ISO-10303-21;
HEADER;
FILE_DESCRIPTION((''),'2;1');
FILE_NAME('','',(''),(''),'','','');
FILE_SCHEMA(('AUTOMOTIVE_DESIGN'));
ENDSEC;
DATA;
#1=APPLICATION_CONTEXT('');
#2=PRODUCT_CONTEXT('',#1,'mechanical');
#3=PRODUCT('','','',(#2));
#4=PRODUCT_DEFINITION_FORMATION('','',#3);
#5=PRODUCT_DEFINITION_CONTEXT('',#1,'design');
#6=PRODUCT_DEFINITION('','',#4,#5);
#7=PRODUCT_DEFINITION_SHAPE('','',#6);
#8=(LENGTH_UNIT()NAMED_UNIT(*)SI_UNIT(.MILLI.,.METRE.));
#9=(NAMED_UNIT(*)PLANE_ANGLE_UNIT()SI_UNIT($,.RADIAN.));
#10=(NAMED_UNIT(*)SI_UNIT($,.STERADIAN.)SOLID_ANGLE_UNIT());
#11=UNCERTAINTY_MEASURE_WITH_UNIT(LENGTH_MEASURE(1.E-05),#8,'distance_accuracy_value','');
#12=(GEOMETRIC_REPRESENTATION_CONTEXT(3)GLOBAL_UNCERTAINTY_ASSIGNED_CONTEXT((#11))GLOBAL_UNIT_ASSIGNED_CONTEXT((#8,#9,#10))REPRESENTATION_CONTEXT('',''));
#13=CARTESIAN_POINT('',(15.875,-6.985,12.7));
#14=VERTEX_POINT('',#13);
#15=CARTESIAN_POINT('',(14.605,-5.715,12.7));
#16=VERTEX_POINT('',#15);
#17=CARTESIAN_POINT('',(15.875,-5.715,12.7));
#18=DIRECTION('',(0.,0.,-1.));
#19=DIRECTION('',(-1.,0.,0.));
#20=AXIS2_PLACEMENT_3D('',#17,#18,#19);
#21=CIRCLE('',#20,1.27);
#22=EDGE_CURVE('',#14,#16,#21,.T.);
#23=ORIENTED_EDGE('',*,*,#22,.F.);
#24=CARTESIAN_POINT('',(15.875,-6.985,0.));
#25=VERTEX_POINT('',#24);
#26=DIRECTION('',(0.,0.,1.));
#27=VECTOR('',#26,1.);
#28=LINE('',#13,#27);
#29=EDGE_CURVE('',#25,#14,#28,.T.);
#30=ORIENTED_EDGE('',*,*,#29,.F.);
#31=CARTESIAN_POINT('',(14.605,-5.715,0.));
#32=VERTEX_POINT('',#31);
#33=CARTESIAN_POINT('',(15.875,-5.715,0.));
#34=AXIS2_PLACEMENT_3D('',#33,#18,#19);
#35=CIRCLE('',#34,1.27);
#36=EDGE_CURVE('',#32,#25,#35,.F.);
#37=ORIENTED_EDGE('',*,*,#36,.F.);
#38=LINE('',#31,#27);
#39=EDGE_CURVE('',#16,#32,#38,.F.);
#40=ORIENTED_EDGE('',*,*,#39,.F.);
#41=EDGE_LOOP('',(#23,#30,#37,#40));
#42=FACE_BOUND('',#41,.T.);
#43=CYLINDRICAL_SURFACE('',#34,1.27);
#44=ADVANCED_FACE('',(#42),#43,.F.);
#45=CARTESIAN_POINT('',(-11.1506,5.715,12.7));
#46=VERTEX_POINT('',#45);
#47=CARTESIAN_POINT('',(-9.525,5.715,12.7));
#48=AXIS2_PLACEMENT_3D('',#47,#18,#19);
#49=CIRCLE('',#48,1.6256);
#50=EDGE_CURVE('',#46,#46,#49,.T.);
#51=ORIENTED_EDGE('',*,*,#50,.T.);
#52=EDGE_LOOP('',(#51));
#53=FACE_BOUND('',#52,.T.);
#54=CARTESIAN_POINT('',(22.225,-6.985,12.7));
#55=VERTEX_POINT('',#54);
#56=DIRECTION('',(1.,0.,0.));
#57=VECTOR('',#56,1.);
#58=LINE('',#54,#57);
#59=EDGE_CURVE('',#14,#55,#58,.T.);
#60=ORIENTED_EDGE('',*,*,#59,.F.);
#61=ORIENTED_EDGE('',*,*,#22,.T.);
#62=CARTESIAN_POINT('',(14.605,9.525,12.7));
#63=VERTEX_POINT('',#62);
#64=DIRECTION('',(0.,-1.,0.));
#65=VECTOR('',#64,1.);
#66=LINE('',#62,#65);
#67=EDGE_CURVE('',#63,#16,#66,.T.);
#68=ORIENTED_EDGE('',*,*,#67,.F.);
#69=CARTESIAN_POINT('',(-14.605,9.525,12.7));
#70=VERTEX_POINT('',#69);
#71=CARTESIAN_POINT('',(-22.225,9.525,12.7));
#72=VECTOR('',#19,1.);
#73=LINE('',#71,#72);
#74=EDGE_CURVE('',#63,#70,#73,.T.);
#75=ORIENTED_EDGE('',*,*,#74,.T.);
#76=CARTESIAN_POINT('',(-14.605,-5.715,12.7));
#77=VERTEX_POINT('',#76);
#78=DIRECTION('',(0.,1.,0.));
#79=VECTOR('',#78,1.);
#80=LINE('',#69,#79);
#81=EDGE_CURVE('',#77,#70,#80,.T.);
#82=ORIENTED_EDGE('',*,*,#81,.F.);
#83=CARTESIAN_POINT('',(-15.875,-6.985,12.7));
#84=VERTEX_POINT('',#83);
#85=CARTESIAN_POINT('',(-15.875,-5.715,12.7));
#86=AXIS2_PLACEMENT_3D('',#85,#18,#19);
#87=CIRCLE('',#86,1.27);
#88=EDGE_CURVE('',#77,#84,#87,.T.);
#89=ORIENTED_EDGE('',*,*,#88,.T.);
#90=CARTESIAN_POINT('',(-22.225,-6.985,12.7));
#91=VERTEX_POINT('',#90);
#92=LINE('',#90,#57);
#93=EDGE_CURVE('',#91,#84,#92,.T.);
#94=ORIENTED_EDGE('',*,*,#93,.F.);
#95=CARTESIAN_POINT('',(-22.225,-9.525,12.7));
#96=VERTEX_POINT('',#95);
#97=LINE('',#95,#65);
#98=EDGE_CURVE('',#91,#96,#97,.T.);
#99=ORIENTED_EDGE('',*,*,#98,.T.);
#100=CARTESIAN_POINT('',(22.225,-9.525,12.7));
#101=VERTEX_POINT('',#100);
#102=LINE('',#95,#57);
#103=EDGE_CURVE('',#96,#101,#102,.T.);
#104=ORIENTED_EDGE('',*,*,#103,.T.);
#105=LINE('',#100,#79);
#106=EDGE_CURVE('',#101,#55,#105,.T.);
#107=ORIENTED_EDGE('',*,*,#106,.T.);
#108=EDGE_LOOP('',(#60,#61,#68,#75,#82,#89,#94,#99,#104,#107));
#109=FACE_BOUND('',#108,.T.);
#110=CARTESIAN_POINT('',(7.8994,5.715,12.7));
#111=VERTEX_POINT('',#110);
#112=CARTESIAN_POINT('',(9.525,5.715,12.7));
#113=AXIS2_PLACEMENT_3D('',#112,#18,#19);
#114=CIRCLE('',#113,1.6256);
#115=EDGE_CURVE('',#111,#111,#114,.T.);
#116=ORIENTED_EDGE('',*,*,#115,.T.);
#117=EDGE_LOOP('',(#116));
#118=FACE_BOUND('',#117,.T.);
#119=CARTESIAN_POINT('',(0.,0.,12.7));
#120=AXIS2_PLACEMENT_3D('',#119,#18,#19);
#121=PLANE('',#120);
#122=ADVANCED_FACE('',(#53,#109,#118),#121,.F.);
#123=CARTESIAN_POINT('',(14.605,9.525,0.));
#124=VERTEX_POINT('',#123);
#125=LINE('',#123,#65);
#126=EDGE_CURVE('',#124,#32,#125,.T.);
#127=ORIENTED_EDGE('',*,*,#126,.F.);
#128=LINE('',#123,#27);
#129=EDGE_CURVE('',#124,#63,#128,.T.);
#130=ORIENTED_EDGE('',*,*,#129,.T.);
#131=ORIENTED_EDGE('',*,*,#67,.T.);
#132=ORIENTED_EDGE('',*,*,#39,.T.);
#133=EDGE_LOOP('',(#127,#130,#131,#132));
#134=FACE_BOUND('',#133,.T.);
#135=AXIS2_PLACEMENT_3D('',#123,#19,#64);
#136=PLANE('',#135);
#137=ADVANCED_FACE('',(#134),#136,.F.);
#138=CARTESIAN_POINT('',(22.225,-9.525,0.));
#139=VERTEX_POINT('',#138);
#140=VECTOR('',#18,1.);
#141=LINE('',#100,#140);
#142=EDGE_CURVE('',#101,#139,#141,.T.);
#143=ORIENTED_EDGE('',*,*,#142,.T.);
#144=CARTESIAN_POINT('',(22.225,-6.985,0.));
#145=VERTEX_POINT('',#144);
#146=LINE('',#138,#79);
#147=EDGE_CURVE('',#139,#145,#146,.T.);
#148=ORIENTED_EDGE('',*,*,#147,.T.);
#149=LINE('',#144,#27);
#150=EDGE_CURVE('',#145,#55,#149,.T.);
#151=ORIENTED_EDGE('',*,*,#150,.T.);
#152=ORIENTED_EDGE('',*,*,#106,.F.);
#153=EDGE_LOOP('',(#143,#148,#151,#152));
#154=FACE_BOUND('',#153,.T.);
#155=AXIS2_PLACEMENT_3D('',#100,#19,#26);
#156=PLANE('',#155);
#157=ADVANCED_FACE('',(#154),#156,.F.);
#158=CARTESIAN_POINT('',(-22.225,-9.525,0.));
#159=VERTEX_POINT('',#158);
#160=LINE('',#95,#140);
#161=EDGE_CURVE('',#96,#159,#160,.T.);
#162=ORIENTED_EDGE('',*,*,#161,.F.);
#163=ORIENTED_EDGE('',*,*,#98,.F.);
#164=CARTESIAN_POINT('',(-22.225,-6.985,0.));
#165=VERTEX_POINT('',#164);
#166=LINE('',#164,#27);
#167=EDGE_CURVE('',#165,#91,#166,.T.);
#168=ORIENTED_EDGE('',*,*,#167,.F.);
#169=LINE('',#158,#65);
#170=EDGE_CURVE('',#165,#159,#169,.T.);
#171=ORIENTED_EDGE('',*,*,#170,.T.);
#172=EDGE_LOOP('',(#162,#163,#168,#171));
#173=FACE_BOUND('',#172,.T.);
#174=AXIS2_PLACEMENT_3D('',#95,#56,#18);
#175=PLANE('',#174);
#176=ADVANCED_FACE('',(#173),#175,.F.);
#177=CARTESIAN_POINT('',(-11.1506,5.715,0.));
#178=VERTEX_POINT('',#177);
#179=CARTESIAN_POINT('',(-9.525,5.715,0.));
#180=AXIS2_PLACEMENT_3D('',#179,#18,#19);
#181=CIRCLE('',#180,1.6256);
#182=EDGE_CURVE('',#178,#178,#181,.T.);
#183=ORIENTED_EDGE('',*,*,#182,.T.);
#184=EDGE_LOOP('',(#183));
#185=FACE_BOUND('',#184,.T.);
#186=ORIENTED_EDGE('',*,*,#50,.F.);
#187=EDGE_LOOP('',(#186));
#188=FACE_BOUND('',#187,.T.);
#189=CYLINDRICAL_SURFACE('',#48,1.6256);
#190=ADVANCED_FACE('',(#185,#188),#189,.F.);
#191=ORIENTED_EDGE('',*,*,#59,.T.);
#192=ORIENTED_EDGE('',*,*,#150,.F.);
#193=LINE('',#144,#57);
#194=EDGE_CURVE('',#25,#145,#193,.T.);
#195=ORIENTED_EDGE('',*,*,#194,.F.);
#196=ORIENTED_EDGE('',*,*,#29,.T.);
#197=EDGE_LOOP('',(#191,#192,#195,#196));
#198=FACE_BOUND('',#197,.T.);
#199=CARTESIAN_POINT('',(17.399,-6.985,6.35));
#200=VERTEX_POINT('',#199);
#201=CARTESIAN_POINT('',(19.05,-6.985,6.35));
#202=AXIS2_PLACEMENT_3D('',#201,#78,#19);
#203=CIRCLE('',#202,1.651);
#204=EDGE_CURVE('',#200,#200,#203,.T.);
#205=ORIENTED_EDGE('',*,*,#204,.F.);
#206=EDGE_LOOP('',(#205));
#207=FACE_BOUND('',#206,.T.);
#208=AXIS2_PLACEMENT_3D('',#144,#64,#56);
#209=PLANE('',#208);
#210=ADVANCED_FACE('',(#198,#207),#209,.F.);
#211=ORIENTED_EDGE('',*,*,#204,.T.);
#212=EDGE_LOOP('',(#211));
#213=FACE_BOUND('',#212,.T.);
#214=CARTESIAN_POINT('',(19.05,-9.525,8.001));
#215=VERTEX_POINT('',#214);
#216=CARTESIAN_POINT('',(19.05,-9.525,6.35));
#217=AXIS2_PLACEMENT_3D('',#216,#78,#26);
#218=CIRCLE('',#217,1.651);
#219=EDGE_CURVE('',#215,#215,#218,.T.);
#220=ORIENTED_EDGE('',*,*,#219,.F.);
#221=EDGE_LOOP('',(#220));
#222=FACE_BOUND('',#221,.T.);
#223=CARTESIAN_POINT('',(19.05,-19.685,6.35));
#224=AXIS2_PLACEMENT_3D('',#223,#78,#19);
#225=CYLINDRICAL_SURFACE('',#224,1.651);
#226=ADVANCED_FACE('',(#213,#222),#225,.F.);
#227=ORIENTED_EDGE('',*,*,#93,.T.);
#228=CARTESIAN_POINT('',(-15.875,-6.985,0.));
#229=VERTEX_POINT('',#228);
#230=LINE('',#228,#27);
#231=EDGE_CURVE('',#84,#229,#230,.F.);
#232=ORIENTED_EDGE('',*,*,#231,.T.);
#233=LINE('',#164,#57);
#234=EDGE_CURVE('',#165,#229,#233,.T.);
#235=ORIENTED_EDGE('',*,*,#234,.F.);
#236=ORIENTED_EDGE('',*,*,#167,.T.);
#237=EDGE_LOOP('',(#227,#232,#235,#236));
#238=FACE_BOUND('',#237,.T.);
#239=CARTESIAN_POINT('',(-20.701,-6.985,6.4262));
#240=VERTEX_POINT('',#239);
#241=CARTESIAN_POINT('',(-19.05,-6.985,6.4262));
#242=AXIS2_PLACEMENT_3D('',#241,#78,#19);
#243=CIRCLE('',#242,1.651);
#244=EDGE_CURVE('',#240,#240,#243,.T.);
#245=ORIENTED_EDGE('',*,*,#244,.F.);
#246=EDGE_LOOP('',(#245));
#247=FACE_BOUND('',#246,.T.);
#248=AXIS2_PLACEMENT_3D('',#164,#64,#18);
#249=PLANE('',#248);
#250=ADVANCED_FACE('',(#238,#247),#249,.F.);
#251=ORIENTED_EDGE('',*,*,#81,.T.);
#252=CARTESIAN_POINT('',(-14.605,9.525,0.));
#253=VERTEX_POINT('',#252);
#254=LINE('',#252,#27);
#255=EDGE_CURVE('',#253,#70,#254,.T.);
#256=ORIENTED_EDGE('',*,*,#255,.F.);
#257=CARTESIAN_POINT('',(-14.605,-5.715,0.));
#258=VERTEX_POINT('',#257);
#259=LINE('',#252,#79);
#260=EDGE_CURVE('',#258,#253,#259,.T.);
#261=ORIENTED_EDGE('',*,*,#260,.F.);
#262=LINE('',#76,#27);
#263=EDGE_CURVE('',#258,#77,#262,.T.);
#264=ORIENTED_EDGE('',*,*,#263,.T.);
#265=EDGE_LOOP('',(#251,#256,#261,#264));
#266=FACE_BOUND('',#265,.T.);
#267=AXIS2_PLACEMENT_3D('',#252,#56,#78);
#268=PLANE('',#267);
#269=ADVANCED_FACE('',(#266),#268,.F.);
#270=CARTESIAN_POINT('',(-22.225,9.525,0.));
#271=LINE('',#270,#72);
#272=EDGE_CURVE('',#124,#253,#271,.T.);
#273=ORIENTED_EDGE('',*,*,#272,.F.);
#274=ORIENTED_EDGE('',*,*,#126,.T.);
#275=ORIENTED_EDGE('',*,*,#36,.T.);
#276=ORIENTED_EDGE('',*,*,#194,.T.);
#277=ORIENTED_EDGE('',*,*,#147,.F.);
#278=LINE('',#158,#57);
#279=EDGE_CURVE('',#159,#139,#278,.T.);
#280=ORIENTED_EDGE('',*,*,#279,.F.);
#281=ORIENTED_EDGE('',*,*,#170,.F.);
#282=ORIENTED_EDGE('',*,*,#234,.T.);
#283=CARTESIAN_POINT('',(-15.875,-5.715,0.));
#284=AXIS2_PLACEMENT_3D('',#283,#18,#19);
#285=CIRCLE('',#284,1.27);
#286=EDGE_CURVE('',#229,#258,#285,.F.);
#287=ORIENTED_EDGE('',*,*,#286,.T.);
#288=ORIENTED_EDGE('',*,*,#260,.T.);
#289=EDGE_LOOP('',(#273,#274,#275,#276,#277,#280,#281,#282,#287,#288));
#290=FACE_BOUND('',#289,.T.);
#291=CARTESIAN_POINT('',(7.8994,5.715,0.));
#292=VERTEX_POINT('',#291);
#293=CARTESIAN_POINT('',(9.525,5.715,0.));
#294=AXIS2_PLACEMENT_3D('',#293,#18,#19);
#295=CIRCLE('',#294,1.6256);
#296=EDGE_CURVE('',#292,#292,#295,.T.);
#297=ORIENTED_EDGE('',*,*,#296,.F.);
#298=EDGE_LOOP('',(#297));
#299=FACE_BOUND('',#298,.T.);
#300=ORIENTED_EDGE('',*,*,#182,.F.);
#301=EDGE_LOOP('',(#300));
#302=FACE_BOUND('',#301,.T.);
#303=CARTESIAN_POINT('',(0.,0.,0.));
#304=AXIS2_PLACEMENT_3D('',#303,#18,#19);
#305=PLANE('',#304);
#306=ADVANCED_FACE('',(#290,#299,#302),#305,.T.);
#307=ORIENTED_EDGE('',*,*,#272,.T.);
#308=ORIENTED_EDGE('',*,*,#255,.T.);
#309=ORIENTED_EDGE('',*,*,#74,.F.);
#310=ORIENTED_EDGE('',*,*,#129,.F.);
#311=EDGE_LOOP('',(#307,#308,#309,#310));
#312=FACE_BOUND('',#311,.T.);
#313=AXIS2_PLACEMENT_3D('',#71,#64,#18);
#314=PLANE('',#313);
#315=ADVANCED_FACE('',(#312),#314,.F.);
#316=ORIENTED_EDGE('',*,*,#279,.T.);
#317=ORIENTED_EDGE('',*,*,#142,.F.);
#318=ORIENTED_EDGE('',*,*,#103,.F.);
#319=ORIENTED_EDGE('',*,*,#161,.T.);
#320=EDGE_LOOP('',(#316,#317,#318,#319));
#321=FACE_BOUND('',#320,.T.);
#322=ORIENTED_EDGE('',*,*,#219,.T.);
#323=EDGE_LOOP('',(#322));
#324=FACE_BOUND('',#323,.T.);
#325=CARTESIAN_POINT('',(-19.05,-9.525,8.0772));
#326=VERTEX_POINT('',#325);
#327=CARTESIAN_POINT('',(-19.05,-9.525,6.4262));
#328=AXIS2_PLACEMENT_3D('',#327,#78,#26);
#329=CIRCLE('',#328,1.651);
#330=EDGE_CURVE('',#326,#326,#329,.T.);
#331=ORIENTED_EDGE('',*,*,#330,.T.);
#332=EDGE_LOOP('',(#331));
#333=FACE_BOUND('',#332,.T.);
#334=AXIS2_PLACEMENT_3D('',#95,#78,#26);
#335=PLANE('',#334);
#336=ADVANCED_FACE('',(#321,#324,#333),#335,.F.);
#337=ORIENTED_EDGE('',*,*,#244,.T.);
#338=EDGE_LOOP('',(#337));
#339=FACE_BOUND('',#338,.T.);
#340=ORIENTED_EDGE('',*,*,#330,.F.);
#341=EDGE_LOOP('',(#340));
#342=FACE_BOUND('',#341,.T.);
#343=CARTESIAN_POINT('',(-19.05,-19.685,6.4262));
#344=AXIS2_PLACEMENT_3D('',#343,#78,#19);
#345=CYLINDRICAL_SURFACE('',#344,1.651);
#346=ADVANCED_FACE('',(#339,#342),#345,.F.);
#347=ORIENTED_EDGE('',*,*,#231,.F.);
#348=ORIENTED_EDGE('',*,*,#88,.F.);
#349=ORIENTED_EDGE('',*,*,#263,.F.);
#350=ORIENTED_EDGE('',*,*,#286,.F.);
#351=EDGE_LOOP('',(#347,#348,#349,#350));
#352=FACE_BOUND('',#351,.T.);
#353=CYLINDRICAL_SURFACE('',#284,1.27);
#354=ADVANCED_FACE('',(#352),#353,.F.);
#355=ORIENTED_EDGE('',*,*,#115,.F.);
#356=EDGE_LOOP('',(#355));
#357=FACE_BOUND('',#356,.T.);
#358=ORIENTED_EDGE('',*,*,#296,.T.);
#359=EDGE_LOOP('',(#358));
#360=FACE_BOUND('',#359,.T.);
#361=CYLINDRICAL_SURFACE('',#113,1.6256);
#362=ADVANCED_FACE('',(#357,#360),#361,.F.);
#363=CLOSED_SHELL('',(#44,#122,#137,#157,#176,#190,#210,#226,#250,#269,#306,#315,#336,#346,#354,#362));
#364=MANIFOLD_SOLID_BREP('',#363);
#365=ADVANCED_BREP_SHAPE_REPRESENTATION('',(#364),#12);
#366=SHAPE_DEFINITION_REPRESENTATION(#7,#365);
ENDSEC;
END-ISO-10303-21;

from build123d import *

# Parameters (mm, degrees)
SKETCH1_W           = 44.45
SKETCH1_H           = 19.05
BOSS_EXTRUDE1_DEPTH = 12.7
SKETCH2_W           = 7.62
SKETCH2_H           = 16.51
CUT_EXTRUDE1_DEPTH  = 12.7
FILLET1_R           = 1.27
FILLET2_R           = 1.27
SKETCH3_R           = 1.6256
CUT_EXTRUDE2_DEPTH  = 12.7
SKETCH4_R           = 1.651
CUT_EXTRUDE3_DEPTH  = 12.7


with BuildPart() as part:
    # Sketch1 → Boss-Extrude1 (new body)
    with BuildSketch(Plane.XY):
        Rectangle(SKETCH1_W, SKETCH1_H)
    extrude(amount=BOSS_EXTRUDE1_DEPTH)

    # Sketch2 → Cut-Extrude1 (cut)
    with BuildSketch(Plane.XY.offset(12.7)):
        with Locations((-18.415, 1.27)):
            Rectangle(SKETCH2_W, SKETCH2_H)
        with Locations((18.415, 1.27)):
            Rectangle(SKETCH2_W, SKETCH2_H)
    extrude(amount=-CUT_EXTRUDE1_DEPTH, mode=Mode.SUBTRACT)

    # Fillet1
    fillet1_edges = [part.edges().sort_by_distance(p)[0] for p in [
        (-14.605, -6.985, 6.35),
    ]]
    fillet(fillet1_edges, radius=FILLET1_R)

    # Fillet2
    fillet2_edges = [part.edges().sort_by_distance(p)[0] for p in [
        (14.605, -6.985, 6.35),
    ]]
    fillet(fillet2_edges, radius=FILLET2_R)

    # Sketch3 → Cut-Extrude2 (cut)
    with BuildSketch(Plane(origin=(0, 0, 0), x_dir=(-1, 0, 0), z_dir=(0, 0, -1))):
        with Locations((-9.525, 5.715)):
            Circle(SKETCH3_R)
        with Locations((9.525, 5.715)):
            Circle(SKETCH3_R)
    extrude(amount=-CUT_EXTRUDE2_DEPTH, mode=Mode.SUBTRACT)

    # Sketch4 → Cut-Extrude3 (cut)
    with BuildSketch(Plane(origin=(0, -6.985, 0), x_dir=(1, 0, 0), z_dir=(0, 1, 0))):
        with Locations(Location((19.05, -6.35, 0), (0, 0, 180))):
            Circle(SKETCH4_R)
        with Locations(Location((-19.05, -6.4262, 0), (0, 0, 180))):
            Circle(SKETCH4_R)
    extrude(amount=-CUT_EXTRUDE3_DEPTH, mode=Mode.SUBTRACT)


solid = part.part
